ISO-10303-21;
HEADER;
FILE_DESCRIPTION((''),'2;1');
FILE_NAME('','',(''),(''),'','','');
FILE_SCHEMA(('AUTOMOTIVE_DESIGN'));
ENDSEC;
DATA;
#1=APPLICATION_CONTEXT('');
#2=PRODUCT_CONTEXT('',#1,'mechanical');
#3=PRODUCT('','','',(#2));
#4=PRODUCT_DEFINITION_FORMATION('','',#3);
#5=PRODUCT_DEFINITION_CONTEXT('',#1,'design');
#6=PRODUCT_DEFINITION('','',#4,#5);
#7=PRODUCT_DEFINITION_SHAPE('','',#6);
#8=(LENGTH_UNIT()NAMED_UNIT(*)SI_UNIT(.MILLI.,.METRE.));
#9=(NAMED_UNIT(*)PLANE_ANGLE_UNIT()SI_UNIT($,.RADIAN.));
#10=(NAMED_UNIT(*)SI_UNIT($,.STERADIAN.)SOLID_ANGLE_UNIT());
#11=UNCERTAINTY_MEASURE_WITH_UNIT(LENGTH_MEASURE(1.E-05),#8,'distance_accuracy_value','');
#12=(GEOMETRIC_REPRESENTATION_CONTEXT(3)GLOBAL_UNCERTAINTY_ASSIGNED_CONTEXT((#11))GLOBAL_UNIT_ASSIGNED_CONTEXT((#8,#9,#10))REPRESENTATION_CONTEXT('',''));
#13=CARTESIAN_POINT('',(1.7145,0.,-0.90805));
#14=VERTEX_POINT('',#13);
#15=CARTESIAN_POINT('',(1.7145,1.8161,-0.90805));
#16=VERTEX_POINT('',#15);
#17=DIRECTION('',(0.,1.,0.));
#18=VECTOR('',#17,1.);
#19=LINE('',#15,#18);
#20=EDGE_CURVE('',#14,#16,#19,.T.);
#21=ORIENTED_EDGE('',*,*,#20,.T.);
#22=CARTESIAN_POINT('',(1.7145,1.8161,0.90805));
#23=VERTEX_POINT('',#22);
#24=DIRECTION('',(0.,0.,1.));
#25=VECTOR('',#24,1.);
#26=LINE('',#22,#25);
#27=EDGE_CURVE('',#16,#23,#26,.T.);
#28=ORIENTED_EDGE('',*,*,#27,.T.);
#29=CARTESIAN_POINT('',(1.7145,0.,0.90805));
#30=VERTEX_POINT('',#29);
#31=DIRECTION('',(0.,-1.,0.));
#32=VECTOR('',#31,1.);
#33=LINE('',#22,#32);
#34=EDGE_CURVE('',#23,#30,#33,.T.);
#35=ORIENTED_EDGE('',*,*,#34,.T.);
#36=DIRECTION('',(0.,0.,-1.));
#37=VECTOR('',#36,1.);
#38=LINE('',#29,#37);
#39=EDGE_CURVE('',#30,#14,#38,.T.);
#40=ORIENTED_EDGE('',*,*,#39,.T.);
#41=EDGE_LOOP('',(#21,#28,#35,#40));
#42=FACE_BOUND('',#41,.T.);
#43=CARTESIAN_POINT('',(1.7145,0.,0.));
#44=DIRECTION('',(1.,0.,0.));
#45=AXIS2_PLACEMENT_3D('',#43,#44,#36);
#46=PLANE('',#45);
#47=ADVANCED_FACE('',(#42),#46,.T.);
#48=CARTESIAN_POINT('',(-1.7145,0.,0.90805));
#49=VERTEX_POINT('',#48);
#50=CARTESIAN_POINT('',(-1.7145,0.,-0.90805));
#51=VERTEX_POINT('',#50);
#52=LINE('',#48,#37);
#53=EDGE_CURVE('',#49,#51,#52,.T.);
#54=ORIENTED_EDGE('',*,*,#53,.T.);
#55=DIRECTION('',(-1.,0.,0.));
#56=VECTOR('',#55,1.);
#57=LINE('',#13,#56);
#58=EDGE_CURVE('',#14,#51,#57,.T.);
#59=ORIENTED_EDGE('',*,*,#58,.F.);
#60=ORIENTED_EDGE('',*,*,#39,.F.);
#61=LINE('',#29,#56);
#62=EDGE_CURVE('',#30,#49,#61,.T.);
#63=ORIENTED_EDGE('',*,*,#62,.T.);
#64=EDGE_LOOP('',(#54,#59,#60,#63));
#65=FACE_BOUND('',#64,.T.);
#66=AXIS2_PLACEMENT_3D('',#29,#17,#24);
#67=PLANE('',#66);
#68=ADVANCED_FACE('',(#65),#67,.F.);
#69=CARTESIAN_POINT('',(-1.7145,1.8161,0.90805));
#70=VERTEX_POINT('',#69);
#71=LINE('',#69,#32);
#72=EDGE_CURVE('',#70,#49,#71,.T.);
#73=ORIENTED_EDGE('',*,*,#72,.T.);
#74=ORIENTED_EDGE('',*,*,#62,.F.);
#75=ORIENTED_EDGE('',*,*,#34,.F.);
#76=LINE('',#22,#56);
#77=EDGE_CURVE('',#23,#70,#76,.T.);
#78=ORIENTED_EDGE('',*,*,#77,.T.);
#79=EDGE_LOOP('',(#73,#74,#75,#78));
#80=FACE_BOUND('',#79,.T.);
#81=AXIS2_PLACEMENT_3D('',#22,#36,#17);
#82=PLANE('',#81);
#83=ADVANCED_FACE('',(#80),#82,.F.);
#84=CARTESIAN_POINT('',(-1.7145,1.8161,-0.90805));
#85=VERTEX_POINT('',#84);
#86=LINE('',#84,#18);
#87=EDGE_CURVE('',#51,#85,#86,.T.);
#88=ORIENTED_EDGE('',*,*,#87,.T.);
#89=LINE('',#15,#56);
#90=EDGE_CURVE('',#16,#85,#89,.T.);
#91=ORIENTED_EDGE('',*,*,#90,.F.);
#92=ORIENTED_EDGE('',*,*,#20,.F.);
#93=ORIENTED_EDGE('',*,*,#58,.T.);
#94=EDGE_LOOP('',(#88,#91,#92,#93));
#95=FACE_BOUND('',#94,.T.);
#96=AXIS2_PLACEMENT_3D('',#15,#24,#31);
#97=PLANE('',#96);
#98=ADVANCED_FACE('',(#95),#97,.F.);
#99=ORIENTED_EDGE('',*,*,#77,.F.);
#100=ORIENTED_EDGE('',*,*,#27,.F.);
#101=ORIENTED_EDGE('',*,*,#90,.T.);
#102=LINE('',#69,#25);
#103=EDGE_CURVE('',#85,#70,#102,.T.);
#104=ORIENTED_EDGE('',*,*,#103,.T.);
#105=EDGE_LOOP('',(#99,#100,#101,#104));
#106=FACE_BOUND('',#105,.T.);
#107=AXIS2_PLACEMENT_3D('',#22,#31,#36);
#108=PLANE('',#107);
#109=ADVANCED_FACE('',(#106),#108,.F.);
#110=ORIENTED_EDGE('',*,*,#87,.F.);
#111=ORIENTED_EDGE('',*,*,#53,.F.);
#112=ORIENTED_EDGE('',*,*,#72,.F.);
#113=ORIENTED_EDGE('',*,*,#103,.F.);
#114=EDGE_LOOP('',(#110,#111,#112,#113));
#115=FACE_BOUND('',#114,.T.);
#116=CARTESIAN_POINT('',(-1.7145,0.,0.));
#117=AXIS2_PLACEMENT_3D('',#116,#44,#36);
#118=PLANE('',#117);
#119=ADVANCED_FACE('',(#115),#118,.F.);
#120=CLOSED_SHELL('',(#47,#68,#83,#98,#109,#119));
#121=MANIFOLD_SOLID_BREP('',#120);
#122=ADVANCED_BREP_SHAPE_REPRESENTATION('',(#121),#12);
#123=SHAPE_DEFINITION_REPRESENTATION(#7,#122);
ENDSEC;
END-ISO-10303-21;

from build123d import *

# Parameters (mm, degrees)
SKETCH1_W           = 1.8161
SKETCH1_H           = 1.8161
BOSS_EXTRUDE1_DEPTH = 1.7145


with BuildPart() as part:
    # Sketch1 → Boss-Extrude1 (new body, symmetric)
    with BuildSketch(Plane(origin=(0, 0, 0), x_dir=(0, 0, -1), z_dir=(1, 0, 0))):
        with Locations((0, 0.90805)):
            Rectangle(SKETCH1_W, SKETCH1_H)
    extrude(amount=BOSS_EXTRUDE1_DEPTH, both=True)


solid = part.part
